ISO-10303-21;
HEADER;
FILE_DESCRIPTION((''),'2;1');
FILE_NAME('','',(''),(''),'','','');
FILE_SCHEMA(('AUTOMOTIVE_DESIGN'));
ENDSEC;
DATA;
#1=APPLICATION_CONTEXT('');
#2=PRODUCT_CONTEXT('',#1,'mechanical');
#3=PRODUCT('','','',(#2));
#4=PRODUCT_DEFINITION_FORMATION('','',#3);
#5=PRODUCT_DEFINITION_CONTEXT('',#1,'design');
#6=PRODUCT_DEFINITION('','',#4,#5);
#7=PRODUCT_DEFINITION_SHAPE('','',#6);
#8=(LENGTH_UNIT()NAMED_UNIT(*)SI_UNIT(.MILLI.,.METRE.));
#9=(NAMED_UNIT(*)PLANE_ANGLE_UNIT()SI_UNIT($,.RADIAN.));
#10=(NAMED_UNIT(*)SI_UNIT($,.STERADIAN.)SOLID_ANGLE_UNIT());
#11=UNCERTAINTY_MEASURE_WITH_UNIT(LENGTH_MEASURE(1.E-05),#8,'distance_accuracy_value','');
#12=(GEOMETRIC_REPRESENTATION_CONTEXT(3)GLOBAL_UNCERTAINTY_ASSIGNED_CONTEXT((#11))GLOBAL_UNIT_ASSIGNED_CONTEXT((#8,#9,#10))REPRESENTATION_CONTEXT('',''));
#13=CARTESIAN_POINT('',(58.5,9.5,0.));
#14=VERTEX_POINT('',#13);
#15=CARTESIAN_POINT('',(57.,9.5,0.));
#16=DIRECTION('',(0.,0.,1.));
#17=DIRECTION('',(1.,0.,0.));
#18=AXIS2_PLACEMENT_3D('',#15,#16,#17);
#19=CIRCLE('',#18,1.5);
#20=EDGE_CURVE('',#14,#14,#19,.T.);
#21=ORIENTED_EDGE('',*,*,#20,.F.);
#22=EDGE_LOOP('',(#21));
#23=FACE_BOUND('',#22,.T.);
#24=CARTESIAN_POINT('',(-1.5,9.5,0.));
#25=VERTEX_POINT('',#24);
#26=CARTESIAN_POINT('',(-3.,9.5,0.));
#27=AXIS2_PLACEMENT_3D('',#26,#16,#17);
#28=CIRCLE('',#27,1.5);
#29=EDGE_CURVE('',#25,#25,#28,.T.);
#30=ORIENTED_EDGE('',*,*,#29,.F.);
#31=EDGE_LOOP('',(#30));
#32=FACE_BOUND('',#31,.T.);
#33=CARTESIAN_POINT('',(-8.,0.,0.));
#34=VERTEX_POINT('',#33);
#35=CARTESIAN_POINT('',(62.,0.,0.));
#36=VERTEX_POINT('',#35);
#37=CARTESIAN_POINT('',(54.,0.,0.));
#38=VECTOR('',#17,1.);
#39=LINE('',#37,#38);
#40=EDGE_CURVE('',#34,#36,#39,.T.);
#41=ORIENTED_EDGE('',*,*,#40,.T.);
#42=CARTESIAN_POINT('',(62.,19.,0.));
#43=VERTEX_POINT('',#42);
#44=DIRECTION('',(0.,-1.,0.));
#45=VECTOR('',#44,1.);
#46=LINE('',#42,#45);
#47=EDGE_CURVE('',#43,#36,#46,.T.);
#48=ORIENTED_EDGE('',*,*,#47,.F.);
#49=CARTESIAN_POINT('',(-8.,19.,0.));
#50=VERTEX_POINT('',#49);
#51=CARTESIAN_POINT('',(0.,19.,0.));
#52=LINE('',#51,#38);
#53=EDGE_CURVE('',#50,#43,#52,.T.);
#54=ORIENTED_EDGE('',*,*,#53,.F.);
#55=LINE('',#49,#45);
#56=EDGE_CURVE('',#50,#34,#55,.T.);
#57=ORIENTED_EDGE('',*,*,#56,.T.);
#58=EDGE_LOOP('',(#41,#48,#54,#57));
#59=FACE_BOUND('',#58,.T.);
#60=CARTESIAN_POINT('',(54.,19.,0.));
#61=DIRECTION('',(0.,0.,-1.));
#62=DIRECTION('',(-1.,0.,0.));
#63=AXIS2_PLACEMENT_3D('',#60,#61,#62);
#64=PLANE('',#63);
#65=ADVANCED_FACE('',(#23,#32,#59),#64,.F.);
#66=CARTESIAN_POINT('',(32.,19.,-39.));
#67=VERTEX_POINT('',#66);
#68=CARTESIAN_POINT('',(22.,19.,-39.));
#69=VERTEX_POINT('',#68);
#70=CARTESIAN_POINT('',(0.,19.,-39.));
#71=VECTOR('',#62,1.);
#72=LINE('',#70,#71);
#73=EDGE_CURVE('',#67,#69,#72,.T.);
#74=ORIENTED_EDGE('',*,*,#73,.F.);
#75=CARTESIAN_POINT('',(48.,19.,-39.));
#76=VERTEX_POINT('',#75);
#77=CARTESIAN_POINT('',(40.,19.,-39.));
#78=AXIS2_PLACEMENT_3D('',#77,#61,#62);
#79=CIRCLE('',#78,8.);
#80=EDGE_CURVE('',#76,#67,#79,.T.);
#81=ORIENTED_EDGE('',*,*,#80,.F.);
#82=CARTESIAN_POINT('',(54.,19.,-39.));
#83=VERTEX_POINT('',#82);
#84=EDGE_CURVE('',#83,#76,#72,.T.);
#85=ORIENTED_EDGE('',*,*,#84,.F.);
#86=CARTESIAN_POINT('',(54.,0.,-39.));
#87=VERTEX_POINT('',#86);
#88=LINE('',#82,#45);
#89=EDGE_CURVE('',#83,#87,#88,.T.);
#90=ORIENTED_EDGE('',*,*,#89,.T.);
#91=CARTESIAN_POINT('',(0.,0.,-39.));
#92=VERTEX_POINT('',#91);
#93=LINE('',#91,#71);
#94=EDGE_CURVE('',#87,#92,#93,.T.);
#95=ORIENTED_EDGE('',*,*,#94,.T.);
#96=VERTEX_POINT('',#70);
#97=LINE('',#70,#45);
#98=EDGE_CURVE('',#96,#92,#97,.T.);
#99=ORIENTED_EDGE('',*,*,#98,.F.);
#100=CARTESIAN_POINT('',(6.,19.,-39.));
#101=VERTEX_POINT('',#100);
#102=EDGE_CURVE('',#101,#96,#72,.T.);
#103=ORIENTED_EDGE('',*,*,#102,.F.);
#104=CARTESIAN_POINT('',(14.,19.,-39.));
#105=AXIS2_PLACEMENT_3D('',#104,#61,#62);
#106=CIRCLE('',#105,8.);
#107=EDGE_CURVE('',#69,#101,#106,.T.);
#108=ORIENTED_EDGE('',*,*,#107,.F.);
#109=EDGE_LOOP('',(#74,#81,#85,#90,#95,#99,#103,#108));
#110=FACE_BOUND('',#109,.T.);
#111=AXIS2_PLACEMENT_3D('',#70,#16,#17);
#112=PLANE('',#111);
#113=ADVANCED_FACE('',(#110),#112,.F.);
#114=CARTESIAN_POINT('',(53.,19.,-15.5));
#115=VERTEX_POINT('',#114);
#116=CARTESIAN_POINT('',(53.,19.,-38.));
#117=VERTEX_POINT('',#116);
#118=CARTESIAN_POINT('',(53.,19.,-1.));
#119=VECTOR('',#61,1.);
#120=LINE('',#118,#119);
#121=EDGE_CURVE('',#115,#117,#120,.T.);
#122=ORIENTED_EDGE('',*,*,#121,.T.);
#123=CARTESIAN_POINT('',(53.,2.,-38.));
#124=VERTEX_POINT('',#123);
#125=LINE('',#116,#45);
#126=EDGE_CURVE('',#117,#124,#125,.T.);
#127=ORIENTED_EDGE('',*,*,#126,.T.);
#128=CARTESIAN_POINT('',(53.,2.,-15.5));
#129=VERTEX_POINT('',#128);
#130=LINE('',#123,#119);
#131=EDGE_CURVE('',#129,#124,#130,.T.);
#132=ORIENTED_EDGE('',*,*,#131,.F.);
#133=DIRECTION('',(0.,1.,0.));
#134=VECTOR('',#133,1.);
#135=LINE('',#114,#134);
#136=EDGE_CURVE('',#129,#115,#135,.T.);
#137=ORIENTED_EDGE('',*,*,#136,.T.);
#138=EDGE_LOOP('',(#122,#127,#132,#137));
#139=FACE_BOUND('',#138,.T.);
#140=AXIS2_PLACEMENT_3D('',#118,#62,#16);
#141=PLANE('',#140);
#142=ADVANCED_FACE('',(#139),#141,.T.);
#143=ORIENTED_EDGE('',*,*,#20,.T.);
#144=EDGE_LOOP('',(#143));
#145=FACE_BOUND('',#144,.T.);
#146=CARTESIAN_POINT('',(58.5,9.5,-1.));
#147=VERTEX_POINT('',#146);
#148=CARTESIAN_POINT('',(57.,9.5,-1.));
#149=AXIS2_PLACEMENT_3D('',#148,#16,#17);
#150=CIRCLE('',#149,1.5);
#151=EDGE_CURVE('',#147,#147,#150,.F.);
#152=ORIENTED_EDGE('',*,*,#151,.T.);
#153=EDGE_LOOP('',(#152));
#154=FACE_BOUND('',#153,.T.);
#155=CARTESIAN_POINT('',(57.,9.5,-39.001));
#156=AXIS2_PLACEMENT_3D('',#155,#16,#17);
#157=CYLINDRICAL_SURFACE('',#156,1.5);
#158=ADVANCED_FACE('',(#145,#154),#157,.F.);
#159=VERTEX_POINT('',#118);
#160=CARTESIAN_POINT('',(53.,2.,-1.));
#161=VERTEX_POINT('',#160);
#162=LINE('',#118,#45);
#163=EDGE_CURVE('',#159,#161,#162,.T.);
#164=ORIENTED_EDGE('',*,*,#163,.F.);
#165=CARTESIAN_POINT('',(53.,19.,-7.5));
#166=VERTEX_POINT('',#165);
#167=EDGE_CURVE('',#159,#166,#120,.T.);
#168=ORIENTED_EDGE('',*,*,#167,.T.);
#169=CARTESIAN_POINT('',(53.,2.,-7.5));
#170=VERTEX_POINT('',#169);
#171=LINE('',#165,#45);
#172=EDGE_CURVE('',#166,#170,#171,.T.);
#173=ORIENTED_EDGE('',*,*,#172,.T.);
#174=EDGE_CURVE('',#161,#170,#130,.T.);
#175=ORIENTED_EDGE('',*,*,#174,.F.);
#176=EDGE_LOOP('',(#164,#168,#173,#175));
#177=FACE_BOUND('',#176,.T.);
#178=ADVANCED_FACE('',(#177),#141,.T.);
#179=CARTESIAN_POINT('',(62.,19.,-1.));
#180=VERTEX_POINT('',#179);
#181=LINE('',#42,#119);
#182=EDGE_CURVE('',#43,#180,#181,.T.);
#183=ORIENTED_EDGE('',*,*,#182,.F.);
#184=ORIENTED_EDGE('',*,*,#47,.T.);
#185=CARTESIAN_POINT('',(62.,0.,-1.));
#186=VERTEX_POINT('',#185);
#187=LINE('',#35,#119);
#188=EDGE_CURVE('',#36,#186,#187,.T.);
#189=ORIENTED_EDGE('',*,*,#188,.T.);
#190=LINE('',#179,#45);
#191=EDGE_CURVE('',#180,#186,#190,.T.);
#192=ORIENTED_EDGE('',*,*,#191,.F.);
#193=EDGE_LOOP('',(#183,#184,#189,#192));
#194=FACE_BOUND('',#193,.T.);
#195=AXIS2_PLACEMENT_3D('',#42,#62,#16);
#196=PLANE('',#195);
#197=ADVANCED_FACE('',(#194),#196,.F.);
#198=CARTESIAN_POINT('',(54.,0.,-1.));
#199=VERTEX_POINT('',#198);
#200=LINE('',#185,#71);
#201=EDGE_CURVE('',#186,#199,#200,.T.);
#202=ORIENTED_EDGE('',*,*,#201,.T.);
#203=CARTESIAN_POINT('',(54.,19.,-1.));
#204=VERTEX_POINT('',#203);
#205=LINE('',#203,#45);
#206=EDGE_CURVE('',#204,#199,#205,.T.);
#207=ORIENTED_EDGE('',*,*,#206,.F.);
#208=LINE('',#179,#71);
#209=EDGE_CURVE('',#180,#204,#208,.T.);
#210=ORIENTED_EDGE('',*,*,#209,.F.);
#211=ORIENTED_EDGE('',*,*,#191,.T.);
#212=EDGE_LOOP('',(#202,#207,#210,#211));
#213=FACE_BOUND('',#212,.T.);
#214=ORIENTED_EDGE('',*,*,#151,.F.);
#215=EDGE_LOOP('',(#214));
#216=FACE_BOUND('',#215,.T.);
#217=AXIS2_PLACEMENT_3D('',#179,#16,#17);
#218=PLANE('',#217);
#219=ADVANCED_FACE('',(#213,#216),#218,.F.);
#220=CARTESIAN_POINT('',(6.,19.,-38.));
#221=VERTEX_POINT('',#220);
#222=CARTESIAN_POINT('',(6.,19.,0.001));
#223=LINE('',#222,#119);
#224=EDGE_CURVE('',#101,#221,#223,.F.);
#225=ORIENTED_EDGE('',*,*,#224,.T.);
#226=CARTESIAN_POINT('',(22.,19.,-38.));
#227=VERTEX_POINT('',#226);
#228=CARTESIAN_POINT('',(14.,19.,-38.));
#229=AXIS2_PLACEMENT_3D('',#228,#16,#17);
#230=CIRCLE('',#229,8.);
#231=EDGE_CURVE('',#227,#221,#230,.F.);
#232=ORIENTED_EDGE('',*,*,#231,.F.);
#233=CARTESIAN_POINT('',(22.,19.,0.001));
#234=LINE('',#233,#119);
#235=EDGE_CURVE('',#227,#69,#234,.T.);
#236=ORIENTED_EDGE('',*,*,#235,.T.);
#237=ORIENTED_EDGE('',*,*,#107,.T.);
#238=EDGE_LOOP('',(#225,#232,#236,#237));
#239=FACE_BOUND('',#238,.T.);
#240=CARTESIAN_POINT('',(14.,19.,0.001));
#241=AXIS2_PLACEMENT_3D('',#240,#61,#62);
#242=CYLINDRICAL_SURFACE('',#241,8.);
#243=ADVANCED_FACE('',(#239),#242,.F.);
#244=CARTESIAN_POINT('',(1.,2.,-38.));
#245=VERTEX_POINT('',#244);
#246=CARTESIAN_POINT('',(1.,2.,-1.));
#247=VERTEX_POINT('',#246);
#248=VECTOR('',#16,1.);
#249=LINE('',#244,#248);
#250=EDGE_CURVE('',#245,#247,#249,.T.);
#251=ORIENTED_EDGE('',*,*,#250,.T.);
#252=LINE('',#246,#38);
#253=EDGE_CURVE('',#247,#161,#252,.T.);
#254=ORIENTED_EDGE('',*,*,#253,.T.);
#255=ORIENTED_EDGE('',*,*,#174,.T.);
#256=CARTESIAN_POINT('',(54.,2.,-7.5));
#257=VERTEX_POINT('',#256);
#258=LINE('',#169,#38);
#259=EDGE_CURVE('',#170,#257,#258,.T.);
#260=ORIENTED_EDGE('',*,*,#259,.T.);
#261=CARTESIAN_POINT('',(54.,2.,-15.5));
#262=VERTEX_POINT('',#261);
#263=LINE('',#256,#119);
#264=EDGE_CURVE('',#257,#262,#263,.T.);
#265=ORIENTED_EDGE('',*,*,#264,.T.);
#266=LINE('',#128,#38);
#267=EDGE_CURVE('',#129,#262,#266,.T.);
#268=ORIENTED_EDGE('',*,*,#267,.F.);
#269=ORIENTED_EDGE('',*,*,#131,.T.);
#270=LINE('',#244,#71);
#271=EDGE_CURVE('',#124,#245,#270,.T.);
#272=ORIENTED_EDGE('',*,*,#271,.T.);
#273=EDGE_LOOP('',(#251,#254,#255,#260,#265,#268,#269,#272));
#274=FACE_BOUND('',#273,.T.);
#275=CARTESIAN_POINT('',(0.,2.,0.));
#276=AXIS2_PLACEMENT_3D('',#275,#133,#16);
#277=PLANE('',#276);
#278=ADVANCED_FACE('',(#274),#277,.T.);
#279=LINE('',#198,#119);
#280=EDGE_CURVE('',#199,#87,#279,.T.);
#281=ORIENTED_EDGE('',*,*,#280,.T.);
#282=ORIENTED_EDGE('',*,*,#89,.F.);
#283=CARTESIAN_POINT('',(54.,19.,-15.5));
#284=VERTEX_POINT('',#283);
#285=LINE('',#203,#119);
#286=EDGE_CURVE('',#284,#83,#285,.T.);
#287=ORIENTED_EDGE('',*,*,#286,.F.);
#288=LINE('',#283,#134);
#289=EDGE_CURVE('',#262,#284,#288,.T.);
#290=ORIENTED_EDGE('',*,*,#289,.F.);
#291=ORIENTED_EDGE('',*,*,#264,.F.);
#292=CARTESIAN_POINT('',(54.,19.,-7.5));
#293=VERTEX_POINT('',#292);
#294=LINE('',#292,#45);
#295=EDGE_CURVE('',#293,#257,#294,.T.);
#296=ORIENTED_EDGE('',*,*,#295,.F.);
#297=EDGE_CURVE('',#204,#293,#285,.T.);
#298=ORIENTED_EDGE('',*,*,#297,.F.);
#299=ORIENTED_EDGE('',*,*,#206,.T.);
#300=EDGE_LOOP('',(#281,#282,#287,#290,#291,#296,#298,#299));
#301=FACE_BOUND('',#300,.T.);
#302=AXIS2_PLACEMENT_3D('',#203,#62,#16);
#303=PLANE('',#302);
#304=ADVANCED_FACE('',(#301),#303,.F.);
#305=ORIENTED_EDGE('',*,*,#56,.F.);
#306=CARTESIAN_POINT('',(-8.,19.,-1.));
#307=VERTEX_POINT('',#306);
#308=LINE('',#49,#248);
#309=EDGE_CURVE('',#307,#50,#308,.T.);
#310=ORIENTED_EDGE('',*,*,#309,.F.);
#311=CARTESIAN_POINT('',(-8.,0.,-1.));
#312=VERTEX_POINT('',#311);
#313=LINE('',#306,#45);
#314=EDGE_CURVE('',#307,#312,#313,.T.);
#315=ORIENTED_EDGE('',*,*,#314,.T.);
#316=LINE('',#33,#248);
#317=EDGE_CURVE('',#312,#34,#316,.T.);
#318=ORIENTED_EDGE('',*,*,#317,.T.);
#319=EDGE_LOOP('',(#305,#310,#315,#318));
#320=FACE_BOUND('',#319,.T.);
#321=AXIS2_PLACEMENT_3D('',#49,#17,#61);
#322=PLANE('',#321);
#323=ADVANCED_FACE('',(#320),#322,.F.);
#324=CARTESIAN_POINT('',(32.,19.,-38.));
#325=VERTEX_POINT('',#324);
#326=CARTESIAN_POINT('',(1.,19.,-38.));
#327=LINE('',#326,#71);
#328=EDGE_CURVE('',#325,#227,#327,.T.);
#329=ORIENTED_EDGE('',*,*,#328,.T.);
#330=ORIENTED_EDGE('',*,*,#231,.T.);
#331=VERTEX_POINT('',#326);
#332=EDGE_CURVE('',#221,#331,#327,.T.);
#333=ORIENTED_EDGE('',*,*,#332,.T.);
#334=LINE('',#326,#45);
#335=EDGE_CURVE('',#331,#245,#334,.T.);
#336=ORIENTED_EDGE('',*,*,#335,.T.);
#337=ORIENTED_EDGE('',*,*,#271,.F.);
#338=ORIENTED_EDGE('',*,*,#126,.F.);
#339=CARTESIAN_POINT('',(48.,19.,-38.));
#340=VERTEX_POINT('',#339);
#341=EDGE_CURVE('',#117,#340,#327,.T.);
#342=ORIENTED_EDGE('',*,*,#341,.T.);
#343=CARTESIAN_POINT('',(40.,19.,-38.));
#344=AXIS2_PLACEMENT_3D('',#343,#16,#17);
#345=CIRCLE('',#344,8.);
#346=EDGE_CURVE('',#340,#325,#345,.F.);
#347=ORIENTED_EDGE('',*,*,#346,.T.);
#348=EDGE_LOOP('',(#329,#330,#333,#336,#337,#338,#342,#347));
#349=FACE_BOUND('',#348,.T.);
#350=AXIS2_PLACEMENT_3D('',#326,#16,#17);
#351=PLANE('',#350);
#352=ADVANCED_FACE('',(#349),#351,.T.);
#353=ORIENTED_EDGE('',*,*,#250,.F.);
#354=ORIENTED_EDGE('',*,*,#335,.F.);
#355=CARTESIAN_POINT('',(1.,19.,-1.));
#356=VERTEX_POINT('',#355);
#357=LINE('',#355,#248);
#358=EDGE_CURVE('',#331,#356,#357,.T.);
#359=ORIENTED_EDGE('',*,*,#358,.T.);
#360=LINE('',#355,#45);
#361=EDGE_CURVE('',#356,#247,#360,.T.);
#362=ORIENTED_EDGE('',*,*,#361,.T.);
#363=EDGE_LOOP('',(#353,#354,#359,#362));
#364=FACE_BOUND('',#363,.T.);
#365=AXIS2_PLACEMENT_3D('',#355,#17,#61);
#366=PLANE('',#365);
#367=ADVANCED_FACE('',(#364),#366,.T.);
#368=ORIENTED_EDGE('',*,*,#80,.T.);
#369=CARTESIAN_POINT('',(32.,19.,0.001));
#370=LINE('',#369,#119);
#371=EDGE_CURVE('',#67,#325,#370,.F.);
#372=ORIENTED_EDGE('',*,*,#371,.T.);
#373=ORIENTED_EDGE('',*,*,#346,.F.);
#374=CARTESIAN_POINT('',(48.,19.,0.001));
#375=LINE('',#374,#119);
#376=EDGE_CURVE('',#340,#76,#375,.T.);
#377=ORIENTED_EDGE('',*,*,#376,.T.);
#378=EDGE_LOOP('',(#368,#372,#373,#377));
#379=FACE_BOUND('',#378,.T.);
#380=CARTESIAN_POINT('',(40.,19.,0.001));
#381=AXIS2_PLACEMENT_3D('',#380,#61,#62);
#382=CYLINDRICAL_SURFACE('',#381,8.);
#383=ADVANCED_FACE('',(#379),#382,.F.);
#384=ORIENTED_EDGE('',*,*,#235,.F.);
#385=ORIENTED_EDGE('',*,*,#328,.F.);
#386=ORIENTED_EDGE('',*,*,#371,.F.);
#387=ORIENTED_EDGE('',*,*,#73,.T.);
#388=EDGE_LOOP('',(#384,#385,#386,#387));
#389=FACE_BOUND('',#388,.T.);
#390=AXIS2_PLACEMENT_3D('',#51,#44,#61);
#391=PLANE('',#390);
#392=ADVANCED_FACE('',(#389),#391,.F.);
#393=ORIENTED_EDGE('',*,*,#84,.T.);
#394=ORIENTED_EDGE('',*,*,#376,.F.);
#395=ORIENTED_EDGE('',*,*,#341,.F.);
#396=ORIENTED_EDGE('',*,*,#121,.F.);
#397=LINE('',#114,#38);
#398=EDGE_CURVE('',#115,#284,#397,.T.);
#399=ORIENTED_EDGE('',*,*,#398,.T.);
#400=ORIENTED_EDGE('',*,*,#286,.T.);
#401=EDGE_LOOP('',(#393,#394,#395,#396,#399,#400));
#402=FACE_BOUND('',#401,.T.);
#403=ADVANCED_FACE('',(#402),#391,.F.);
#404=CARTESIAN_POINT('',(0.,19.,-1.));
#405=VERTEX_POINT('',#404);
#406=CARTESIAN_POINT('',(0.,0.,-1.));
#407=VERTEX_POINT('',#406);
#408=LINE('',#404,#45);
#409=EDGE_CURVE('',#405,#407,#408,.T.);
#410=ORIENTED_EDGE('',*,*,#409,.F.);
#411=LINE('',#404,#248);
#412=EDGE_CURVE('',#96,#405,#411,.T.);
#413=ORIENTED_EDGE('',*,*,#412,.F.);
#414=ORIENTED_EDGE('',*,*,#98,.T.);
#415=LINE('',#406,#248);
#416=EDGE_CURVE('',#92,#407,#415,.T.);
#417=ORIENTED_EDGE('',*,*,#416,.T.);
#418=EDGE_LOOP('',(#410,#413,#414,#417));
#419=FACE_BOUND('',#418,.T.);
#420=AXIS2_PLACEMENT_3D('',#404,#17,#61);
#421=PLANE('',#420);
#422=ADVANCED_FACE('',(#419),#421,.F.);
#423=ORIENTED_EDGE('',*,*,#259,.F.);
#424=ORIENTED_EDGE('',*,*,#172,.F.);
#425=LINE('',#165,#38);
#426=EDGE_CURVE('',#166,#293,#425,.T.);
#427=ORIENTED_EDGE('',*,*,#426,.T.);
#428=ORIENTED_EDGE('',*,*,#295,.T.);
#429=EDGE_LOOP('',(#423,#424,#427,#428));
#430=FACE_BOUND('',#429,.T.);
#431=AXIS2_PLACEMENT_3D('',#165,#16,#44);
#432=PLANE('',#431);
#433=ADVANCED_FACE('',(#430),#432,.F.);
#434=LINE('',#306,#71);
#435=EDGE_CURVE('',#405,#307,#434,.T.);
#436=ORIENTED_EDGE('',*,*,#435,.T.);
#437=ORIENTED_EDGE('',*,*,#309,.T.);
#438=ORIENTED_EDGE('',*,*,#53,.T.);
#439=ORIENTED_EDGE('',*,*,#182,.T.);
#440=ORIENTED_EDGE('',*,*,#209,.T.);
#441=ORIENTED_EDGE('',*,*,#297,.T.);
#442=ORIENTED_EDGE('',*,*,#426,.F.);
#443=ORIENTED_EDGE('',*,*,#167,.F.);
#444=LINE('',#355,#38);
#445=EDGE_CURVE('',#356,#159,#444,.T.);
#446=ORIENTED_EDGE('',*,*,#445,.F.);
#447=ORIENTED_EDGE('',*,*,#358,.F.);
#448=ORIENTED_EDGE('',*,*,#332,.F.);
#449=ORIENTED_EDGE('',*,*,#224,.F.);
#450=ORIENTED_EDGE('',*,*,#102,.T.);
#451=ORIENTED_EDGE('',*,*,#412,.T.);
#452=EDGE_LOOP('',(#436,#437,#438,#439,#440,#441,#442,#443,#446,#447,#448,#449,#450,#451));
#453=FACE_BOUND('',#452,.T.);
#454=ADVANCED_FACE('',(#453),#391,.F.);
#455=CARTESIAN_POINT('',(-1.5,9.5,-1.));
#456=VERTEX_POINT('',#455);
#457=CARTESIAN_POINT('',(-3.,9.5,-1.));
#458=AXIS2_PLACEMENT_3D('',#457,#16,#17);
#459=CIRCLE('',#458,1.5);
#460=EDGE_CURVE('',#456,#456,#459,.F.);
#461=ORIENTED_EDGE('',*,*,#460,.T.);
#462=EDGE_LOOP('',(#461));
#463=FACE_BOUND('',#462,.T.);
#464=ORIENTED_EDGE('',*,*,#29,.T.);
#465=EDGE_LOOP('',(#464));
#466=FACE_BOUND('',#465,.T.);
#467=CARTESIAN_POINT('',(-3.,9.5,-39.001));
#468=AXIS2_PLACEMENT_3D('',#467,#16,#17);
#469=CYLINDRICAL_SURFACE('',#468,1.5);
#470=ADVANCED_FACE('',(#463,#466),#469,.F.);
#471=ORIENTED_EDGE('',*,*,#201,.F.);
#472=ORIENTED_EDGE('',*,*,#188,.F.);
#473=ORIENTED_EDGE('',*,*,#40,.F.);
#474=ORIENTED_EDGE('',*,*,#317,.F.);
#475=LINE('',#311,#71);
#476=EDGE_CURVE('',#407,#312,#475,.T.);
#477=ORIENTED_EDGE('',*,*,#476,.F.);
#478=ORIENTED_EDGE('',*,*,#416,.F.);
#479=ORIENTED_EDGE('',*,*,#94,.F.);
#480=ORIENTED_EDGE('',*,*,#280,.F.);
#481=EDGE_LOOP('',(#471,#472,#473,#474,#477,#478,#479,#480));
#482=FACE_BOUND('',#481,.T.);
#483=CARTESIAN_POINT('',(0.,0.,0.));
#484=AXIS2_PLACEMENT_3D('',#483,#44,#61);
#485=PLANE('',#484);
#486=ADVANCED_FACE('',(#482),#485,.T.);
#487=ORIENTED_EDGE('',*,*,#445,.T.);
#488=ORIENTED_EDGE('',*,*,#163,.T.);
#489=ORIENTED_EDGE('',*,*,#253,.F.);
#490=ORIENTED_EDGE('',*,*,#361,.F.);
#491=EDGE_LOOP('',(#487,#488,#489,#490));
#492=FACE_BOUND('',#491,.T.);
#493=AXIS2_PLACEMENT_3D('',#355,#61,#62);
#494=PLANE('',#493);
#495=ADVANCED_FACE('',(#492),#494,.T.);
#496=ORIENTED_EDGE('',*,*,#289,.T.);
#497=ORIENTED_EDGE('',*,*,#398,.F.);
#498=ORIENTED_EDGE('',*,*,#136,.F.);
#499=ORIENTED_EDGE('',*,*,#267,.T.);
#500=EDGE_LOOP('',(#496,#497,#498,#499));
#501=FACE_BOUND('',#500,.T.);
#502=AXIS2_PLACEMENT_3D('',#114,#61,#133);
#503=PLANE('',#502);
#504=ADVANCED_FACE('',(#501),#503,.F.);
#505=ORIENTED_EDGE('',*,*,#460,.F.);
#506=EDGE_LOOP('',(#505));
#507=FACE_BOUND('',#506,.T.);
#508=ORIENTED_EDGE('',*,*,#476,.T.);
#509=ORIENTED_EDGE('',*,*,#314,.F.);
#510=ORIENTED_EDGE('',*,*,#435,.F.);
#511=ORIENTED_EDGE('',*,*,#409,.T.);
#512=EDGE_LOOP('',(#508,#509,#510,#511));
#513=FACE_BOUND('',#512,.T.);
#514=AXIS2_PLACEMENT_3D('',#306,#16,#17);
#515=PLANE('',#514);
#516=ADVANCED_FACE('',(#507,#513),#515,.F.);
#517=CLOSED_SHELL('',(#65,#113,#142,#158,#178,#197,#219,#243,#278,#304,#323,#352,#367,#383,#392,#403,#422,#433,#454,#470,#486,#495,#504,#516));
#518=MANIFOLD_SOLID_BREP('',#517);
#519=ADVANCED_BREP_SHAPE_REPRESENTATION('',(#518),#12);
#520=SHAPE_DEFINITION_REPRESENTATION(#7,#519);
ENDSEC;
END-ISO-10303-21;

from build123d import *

# Parameters (mm, degrees)
SKETCH1_W           = 52
SKETCH1_H           = 37
BOSS_EXTRUDE1_DEPTH = 19
CUT_EXTRUDE1_REACH  = 41
SKETCH2_R           = 1.5
SKETCH3_W           = 52
SKETCH3_H           = 37
BOSS_EXTRUDE2_DEPTH = 2
CUT_EXTRUDE2_REACH  = 41
SKETCH4_R           = 8
SKETCH5_W           = 8
SKETCH5_H           = 17
CUT_EXTRUDE3_DEPTH  = 1


with BuildPart() as part:
    # Sketch1 → Boss-Extrude1 (new body)
    with BuildSketch(Plane(origin=(0, 0, 0), x_dir=(1, 0, 0), z_dir=(0, 1, 0))):
        Polygon((54, 0), (62, 0), (62, 1), (54, 1), (54, 39), (0, 39), (0, 1), (-8, 1), (-8, 0), (0, 0), align=None)
        with Locations((27, 19.5)):
            Rectangle(SKETCH1_W, SKETCH1_H, mode=Mode.SUBTRACT)
    extrude(amount=BOSS_EXTRUDE1_DEPTH)

    # Sketch2 → Cut-Extrude1 (cut, up to next)
    with BuildSketch(Plane.XY, mode=Mode.PRIVATE) as cut_extrude1_sk1:
        with Locations((-3, 9.5)):
            Circle(SKETCH2_R)
    cut_extrude1_tool1 = extrude(cut_extrude1_sk1.sketch, amount=-CUT_EXTRUDE1_REACH, mode=Mode.PRIVATE) & part.part
    add(cut_extrude1_tool1.solids().sort_by_distance((-3, 9.5, 0))[0], mode=Mode.SUBTRACT)
    # Sketch2 → Cut-Extrude1 (cut, up to next)
    with BuildSketch(Plane.XY, mode=Mode.PRIVATE) as cut_extrude1_sk2:
        with Locations((57, 9.5)):
            Circle(SKETCH2_R)
    cut_extrude1_tool2 = extrude(cut_extrude1_sk2.sketch, amount=-CUT_EXTRUDE1_REACH, mode=Mode.PRIVATE) & part.part
    add(cut_extrude1_tool2.solids().sort_by_distance((57, 9.5, 0))[0], mode=Mode.SUBTRACT)

    # Sketch3 → Boss-Extrude2 (add)
    with BuildSketch(Plane(origin=(0, 0, 0), x_dir=(1, 0, 0), z_dir=(0, 1, 0))):
        with Locations((27, 19.5)):
            Rectangle(SKETCH3_W, SKETCH3_H)
    extrude(amount=BOSS_EXTRUDE2_DEPTH)

    # Sketch4 → Cut-Extrude2 (cut, up to next)
    with BuildSketch(Plane(origin=(0, 0, -39), x_dir=(-1, 0, 0), z_dir=(0, 0, -1)), mode=Mode.PRIVATE) as cut_extrude2_sk1:
        with Locations((-14, 19)):
            Circle(SKETCH4_R)
    cut_extrude2_tool1 = extrude(cut_extrude2_sk1.sketch, amount=-CUT_EXTRUDE2_REACH, mode=Mode.PRIVATE) & part.part
    add(cut_extrude2_tool1.solids().sort_by_distance((14, 19, -39))[0], mode=Mode.SUBTRACT)
    # Sketch4 → Cut-Extrude2 (cut, up to next)
    with BuildSketch(Plane(origin=(0, 0, -39), x_dir=(-1, 0, 0), z_dir=(0, 0, -1)), mode=Mode.PRIVATE) as cut_extrude2_sk2:
        with Locations((-40, 19)):
            Circle(SKETCH4_R)
    cut_extrude2_tool2 = extrude(cut_extrude2_sk2.sketch, amount=-CUT_EXTRUDE2_REACH, mode=Mode.PRIVATE) & part.part
    add(cut_extrude2_tool2.solids().sort_by_distance((40, 19, -39))[0], mode=Mode.SUBTRACT)

    # Sketch5 → Cut-Extrude3 (cut)
    with BuildSketch(Plane(origin=(54, 0, 0), x_dir=(0, 0, -1), z_dir=(1, 0, 0))):
        with Locations((11.5, 10.5)):
            Rectangle(SKETCH5_W, SKETCH5_H)
    extrude(amount=-CUT_EXTRUDE3_DEPTH, mode=Mode.SUBTRACT)


solid = part.part
